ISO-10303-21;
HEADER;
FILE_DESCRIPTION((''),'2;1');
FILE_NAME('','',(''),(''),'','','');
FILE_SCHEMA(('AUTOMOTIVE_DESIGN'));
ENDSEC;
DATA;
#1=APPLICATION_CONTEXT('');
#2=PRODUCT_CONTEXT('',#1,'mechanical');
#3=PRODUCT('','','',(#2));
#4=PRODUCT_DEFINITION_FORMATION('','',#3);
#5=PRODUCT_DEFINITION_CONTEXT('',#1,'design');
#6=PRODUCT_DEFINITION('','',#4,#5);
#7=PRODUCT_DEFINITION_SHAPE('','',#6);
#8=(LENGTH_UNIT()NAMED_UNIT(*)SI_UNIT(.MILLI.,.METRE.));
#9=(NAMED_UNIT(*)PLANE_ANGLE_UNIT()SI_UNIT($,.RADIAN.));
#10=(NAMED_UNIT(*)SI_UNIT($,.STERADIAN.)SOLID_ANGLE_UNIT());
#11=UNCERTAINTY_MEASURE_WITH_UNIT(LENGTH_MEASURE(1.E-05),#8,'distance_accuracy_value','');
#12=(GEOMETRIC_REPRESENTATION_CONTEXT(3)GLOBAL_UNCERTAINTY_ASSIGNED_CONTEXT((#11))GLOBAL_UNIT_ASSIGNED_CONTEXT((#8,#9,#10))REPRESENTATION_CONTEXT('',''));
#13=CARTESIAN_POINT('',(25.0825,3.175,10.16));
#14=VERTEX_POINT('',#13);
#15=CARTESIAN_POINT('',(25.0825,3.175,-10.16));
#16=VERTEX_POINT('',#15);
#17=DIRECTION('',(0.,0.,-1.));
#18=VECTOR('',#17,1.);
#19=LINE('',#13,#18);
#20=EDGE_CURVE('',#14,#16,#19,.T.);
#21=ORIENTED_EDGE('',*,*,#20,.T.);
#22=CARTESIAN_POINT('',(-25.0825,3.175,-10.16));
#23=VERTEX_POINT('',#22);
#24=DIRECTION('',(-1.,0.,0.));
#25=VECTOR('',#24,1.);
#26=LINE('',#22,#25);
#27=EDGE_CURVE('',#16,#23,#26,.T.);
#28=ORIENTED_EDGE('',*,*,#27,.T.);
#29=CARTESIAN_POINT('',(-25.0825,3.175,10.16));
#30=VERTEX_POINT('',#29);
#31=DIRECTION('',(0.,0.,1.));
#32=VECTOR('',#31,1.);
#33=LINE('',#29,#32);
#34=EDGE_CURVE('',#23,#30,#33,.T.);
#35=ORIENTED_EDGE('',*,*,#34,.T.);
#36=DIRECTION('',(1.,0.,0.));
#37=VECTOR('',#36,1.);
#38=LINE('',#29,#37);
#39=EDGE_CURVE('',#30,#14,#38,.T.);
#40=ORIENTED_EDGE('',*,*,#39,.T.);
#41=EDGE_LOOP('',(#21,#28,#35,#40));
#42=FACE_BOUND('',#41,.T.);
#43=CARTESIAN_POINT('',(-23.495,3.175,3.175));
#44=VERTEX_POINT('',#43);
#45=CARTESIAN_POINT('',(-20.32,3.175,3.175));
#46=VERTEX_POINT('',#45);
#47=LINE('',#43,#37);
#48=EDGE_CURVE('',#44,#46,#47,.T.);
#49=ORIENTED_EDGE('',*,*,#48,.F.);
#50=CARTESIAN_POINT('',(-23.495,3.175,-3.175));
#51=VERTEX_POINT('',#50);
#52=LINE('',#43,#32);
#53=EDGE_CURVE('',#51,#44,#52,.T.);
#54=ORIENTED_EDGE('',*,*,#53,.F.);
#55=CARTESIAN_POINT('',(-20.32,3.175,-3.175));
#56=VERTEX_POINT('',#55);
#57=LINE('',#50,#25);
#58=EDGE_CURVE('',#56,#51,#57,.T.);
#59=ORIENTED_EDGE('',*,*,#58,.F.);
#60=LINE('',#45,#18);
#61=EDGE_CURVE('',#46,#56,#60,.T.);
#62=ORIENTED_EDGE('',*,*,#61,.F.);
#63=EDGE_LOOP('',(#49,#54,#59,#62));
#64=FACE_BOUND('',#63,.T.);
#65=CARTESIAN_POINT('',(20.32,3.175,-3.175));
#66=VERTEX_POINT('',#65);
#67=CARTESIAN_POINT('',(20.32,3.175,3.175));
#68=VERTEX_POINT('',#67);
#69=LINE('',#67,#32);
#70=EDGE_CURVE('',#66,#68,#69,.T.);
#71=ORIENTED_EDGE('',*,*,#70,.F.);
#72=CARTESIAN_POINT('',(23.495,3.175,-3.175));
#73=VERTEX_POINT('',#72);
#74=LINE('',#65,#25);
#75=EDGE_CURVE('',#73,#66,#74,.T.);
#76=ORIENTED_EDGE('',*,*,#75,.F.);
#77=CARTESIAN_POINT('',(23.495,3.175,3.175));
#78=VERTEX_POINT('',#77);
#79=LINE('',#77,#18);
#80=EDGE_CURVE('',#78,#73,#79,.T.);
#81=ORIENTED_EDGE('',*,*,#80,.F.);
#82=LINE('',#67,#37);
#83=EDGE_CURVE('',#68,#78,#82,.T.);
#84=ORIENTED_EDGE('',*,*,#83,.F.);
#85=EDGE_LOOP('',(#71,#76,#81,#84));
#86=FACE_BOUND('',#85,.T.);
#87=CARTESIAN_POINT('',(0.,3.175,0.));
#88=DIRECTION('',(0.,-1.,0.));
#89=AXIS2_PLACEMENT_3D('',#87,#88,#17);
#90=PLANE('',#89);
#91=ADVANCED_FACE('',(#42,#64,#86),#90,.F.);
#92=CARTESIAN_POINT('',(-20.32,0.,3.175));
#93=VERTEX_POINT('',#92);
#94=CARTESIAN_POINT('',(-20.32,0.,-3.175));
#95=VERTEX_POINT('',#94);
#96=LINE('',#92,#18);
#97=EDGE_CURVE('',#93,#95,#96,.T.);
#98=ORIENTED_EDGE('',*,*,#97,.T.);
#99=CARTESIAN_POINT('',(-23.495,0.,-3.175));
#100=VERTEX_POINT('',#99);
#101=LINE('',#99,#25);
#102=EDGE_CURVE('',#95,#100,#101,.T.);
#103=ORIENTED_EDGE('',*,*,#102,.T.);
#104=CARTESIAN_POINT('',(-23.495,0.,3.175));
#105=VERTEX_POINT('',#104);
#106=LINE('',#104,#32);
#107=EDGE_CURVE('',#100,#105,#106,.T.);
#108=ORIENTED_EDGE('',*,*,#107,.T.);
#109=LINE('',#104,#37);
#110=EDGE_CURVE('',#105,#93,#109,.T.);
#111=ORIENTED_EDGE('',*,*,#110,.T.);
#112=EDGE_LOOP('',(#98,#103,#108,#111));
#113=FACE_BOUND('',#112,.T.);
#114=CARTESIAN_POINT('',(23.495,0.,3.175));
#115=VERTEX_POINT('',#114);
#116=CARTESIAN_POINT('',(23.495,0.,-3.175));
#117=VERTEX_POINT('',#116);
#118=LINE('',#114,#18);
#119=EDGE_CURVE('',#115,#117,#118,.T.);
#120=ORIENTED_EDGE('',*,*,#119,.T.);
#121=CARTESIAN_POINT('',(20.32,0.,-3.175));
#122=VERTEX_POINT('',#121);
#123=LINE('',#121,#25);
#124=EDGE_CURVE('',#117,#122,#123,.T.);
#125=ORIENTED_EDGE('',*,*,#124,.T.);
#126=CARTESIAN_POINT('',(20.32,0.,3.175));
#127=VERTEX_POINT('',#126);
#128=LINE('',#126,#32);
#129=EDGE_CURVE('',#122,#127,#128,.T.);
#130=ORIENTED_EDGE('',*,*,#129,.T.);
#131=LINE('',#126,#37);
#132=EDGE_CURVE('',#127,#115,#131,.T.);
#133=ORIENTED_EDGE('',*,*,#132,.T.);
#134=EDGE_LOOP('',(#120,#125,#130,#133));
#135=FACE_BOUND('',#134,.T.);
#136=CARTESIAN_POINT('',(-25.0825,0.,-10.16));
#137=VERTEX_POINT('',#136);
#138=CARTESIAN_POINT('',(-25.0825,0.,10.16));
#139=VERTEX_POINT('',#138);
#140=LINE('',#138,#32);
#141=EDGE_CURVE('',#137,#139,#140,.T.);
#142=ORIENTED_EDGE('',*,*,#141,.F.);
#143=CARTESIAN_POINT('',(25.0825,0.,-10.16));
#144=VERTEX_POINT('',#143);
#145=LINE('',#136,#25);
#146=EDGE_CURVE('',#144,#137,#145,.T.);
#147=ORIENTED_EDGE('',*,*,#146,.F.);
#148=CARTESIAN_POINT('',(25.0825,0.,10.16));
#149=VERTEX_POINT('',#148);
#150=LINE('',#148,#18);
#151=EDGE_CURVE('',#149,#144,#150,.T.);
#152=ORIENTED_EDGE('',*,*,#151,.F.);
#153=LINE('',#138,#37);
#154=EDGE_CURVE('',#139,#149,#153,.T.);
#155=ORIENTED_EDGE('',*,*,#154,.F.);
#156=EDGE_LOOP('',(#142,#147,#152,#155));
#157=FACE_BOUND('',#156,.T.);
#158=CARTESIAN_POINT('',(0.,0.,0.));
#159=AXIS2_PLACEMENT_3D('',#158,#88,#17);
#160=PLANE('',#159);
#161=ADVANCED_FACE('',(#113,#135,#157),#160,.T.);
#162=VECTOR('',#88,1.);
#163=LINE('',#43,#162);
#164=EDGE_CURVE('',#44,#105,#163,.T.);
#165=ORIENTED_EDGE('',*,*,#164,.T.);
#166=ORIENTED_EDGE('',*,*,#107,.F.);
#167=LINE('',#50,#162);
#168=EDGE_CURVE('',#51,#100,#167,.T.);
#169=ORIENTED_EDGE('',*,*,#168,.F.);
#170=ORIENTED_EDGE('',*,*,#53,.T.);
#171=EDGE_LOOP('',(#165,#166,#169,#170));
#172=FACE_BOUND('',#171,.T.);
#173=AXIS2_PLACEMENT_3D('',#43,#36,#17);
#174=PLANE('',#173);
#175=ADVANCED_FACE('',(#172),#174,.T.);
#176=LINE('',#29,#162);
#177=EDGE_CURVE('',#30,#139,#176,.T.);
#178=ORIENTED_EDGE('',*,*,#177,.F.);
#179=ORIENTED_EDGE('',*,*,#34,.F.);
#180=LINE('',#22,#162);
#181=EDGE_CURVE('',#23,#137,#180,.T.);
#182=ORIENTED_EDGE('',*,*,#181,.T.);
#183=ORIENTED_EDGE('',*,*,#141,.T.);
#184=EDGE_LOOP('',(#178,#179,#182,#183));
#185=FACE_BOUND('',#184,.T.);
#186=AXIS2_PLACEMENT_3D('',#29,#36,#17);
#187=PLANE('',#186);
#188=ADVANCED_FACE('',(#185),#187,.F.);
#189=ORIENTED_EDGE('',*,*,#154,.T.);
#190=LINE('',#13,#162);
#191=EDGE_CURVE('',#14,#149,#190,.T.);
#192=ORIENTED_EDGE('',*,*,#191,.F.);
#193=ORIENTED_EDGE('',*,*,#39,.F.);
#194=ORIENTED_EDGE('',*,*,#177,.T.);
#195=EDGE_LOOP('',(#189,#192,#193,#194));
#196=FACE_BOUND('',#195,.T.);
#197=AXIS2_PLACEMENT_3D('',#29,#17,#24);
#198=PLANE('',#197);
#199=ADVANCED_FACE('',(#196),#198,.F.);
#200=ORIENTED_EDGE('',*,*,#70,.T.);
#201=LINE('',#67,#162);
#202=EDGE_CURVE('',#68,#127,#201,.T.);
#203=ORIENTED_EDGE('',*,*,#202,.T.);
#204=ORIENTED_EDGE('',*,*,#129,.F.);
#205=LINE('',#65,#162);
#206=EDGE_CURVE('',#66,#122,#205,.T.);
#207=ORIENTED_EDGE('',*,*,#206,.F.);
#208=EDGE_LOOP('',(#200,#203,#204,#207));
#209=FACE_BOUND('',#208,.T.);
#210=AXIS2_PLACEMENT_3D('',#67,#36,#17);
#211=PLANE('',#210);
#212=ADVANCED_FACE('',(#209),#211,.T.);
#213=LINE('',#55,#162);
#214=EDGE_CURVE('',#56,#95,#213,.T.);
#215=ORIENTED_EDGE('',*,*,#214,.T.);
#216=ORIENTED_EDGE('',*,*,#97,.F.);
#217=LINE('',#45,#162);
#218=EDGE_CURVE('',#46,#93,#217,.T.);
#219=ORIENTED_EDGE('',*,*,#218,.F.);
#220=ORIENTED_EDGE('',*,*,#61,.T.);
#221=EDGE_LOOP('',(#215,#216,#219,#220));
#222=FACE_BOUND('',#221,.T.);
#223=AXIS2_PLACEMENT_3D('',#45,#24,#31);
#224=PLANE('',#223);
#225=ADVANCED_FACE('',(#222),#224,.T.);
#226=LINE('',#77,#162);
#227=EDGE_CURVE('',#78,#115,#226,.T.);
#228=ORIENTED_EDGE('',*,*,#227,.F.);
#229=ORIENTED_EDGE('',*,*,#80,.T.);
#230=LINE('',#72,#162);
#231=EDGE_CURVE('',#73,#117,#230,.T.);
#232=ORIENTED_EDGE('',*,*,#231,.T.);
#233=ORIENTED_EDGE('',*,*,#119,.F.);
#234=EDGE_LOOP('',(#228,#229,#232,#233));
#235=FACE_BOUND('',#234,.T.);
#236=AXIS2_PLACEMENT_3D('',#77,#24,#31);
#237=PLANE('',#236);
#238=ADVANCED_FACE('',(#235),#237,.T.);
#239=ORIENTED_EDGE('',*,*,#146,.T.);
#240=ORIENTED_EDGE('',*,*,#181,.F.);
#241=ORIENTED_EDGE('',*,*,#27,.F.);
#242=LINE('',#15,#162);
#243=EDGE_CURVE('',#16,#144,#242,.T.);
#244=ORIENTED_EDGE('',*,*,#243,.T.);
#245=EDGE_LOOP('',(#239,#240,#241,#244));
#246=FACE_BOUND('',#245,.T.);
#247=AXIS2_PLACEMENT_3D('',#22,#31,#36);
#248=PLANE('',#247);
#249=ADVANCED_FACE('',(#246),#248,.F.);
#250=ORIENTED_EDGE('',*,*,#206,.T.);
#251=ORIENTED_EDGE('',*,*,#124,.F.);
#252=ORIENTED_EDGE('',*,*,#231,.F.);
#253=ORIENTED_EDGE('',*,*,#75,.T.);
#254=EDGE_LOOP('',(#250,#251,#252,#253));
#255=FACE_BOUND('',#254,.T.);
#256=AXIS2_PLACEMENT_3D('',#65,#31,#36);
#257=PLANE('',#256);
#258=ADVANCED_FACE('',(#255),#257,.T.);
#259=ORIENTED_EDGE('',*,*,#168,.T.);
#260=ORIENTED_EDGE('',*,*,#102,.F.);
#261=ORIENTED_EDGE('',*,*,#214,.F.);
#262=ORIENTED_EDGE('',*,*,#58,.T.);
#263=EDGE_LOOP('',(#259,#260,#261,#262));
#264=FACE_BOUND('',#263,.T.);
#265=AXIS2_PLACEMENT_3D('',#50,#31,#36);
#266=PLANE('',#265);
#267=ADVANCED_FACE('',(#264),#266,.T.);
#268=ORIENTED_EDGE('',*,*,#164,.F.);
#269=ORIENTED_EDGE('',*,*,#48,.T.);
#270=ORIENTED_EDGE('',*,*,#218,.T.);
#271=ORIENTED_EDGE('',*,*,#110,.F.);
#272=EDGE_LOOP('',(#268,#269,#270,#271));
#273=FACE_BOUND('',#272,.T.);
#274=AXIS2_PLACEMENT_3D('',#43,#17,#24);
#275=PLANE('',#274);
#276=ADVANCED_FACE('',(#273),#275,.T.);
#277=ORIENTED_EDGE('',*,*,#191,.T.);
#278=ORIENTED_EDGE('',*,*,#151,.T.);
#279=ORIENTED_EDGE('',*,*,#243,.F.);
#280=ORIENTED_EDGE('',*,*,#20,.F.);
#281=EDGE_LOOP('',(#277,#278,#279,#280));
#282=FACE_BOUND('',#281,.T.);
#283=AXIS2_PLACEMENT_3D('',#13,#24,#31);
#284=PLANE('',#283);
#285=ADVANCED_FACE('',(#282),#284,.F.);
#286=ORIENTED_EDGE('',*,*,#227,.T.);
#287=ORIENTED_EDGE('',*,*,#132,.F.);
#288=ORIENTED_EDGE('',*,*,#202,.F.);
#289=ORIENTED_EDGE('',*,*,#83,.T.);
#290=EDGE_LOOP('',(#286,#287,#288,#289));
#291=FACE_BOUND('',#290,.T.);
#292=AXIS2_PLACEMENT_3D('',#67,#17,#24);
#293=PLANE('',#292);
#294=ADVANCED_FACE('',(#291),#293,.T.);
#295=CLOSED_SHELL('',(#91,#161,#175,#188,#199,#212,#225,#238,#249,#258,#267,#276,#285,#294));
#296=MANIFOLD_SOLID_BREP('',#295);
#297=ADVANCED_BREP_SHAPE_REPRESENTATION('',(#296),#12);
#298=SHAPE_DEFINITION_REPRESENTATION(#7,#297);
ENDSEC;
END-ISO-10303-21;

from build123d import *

# Parameters (mm, degrees)
SKETCH1_W           = 50.165
SKETCH1_H           = 20.32
SKETCH1_W_2         = 3.175
SKETCH1_H_2         = 6.35
BOSS_EXTRUDE1_DEPTH = 3.175


with BuildPart() as part:
    # Sketch1 → Boss-Extrude1 (new body)
    with BuildSketch(Plane(origin=(0, 0, 0), x_dir=(1, 0, 0), z_dir=(0, 1, 0))):
        Rectangle(SKETCH1_W, SKETCH1_H)
        with Locations((-21.9075, 0)):
            Rectangle(SKETCH1_W_2, SKETCH1_H_2, mode=Mode.SUBTRACT)
        with Locations((21.9075, 0)):
            Rectangle(SKETCH1_W_2, SKETCH1_H_2, mode=Mode.SUBTRACT)
    extrude(amount=BOSS_EXTRUDE1_DEPTH)


solid = part.part
